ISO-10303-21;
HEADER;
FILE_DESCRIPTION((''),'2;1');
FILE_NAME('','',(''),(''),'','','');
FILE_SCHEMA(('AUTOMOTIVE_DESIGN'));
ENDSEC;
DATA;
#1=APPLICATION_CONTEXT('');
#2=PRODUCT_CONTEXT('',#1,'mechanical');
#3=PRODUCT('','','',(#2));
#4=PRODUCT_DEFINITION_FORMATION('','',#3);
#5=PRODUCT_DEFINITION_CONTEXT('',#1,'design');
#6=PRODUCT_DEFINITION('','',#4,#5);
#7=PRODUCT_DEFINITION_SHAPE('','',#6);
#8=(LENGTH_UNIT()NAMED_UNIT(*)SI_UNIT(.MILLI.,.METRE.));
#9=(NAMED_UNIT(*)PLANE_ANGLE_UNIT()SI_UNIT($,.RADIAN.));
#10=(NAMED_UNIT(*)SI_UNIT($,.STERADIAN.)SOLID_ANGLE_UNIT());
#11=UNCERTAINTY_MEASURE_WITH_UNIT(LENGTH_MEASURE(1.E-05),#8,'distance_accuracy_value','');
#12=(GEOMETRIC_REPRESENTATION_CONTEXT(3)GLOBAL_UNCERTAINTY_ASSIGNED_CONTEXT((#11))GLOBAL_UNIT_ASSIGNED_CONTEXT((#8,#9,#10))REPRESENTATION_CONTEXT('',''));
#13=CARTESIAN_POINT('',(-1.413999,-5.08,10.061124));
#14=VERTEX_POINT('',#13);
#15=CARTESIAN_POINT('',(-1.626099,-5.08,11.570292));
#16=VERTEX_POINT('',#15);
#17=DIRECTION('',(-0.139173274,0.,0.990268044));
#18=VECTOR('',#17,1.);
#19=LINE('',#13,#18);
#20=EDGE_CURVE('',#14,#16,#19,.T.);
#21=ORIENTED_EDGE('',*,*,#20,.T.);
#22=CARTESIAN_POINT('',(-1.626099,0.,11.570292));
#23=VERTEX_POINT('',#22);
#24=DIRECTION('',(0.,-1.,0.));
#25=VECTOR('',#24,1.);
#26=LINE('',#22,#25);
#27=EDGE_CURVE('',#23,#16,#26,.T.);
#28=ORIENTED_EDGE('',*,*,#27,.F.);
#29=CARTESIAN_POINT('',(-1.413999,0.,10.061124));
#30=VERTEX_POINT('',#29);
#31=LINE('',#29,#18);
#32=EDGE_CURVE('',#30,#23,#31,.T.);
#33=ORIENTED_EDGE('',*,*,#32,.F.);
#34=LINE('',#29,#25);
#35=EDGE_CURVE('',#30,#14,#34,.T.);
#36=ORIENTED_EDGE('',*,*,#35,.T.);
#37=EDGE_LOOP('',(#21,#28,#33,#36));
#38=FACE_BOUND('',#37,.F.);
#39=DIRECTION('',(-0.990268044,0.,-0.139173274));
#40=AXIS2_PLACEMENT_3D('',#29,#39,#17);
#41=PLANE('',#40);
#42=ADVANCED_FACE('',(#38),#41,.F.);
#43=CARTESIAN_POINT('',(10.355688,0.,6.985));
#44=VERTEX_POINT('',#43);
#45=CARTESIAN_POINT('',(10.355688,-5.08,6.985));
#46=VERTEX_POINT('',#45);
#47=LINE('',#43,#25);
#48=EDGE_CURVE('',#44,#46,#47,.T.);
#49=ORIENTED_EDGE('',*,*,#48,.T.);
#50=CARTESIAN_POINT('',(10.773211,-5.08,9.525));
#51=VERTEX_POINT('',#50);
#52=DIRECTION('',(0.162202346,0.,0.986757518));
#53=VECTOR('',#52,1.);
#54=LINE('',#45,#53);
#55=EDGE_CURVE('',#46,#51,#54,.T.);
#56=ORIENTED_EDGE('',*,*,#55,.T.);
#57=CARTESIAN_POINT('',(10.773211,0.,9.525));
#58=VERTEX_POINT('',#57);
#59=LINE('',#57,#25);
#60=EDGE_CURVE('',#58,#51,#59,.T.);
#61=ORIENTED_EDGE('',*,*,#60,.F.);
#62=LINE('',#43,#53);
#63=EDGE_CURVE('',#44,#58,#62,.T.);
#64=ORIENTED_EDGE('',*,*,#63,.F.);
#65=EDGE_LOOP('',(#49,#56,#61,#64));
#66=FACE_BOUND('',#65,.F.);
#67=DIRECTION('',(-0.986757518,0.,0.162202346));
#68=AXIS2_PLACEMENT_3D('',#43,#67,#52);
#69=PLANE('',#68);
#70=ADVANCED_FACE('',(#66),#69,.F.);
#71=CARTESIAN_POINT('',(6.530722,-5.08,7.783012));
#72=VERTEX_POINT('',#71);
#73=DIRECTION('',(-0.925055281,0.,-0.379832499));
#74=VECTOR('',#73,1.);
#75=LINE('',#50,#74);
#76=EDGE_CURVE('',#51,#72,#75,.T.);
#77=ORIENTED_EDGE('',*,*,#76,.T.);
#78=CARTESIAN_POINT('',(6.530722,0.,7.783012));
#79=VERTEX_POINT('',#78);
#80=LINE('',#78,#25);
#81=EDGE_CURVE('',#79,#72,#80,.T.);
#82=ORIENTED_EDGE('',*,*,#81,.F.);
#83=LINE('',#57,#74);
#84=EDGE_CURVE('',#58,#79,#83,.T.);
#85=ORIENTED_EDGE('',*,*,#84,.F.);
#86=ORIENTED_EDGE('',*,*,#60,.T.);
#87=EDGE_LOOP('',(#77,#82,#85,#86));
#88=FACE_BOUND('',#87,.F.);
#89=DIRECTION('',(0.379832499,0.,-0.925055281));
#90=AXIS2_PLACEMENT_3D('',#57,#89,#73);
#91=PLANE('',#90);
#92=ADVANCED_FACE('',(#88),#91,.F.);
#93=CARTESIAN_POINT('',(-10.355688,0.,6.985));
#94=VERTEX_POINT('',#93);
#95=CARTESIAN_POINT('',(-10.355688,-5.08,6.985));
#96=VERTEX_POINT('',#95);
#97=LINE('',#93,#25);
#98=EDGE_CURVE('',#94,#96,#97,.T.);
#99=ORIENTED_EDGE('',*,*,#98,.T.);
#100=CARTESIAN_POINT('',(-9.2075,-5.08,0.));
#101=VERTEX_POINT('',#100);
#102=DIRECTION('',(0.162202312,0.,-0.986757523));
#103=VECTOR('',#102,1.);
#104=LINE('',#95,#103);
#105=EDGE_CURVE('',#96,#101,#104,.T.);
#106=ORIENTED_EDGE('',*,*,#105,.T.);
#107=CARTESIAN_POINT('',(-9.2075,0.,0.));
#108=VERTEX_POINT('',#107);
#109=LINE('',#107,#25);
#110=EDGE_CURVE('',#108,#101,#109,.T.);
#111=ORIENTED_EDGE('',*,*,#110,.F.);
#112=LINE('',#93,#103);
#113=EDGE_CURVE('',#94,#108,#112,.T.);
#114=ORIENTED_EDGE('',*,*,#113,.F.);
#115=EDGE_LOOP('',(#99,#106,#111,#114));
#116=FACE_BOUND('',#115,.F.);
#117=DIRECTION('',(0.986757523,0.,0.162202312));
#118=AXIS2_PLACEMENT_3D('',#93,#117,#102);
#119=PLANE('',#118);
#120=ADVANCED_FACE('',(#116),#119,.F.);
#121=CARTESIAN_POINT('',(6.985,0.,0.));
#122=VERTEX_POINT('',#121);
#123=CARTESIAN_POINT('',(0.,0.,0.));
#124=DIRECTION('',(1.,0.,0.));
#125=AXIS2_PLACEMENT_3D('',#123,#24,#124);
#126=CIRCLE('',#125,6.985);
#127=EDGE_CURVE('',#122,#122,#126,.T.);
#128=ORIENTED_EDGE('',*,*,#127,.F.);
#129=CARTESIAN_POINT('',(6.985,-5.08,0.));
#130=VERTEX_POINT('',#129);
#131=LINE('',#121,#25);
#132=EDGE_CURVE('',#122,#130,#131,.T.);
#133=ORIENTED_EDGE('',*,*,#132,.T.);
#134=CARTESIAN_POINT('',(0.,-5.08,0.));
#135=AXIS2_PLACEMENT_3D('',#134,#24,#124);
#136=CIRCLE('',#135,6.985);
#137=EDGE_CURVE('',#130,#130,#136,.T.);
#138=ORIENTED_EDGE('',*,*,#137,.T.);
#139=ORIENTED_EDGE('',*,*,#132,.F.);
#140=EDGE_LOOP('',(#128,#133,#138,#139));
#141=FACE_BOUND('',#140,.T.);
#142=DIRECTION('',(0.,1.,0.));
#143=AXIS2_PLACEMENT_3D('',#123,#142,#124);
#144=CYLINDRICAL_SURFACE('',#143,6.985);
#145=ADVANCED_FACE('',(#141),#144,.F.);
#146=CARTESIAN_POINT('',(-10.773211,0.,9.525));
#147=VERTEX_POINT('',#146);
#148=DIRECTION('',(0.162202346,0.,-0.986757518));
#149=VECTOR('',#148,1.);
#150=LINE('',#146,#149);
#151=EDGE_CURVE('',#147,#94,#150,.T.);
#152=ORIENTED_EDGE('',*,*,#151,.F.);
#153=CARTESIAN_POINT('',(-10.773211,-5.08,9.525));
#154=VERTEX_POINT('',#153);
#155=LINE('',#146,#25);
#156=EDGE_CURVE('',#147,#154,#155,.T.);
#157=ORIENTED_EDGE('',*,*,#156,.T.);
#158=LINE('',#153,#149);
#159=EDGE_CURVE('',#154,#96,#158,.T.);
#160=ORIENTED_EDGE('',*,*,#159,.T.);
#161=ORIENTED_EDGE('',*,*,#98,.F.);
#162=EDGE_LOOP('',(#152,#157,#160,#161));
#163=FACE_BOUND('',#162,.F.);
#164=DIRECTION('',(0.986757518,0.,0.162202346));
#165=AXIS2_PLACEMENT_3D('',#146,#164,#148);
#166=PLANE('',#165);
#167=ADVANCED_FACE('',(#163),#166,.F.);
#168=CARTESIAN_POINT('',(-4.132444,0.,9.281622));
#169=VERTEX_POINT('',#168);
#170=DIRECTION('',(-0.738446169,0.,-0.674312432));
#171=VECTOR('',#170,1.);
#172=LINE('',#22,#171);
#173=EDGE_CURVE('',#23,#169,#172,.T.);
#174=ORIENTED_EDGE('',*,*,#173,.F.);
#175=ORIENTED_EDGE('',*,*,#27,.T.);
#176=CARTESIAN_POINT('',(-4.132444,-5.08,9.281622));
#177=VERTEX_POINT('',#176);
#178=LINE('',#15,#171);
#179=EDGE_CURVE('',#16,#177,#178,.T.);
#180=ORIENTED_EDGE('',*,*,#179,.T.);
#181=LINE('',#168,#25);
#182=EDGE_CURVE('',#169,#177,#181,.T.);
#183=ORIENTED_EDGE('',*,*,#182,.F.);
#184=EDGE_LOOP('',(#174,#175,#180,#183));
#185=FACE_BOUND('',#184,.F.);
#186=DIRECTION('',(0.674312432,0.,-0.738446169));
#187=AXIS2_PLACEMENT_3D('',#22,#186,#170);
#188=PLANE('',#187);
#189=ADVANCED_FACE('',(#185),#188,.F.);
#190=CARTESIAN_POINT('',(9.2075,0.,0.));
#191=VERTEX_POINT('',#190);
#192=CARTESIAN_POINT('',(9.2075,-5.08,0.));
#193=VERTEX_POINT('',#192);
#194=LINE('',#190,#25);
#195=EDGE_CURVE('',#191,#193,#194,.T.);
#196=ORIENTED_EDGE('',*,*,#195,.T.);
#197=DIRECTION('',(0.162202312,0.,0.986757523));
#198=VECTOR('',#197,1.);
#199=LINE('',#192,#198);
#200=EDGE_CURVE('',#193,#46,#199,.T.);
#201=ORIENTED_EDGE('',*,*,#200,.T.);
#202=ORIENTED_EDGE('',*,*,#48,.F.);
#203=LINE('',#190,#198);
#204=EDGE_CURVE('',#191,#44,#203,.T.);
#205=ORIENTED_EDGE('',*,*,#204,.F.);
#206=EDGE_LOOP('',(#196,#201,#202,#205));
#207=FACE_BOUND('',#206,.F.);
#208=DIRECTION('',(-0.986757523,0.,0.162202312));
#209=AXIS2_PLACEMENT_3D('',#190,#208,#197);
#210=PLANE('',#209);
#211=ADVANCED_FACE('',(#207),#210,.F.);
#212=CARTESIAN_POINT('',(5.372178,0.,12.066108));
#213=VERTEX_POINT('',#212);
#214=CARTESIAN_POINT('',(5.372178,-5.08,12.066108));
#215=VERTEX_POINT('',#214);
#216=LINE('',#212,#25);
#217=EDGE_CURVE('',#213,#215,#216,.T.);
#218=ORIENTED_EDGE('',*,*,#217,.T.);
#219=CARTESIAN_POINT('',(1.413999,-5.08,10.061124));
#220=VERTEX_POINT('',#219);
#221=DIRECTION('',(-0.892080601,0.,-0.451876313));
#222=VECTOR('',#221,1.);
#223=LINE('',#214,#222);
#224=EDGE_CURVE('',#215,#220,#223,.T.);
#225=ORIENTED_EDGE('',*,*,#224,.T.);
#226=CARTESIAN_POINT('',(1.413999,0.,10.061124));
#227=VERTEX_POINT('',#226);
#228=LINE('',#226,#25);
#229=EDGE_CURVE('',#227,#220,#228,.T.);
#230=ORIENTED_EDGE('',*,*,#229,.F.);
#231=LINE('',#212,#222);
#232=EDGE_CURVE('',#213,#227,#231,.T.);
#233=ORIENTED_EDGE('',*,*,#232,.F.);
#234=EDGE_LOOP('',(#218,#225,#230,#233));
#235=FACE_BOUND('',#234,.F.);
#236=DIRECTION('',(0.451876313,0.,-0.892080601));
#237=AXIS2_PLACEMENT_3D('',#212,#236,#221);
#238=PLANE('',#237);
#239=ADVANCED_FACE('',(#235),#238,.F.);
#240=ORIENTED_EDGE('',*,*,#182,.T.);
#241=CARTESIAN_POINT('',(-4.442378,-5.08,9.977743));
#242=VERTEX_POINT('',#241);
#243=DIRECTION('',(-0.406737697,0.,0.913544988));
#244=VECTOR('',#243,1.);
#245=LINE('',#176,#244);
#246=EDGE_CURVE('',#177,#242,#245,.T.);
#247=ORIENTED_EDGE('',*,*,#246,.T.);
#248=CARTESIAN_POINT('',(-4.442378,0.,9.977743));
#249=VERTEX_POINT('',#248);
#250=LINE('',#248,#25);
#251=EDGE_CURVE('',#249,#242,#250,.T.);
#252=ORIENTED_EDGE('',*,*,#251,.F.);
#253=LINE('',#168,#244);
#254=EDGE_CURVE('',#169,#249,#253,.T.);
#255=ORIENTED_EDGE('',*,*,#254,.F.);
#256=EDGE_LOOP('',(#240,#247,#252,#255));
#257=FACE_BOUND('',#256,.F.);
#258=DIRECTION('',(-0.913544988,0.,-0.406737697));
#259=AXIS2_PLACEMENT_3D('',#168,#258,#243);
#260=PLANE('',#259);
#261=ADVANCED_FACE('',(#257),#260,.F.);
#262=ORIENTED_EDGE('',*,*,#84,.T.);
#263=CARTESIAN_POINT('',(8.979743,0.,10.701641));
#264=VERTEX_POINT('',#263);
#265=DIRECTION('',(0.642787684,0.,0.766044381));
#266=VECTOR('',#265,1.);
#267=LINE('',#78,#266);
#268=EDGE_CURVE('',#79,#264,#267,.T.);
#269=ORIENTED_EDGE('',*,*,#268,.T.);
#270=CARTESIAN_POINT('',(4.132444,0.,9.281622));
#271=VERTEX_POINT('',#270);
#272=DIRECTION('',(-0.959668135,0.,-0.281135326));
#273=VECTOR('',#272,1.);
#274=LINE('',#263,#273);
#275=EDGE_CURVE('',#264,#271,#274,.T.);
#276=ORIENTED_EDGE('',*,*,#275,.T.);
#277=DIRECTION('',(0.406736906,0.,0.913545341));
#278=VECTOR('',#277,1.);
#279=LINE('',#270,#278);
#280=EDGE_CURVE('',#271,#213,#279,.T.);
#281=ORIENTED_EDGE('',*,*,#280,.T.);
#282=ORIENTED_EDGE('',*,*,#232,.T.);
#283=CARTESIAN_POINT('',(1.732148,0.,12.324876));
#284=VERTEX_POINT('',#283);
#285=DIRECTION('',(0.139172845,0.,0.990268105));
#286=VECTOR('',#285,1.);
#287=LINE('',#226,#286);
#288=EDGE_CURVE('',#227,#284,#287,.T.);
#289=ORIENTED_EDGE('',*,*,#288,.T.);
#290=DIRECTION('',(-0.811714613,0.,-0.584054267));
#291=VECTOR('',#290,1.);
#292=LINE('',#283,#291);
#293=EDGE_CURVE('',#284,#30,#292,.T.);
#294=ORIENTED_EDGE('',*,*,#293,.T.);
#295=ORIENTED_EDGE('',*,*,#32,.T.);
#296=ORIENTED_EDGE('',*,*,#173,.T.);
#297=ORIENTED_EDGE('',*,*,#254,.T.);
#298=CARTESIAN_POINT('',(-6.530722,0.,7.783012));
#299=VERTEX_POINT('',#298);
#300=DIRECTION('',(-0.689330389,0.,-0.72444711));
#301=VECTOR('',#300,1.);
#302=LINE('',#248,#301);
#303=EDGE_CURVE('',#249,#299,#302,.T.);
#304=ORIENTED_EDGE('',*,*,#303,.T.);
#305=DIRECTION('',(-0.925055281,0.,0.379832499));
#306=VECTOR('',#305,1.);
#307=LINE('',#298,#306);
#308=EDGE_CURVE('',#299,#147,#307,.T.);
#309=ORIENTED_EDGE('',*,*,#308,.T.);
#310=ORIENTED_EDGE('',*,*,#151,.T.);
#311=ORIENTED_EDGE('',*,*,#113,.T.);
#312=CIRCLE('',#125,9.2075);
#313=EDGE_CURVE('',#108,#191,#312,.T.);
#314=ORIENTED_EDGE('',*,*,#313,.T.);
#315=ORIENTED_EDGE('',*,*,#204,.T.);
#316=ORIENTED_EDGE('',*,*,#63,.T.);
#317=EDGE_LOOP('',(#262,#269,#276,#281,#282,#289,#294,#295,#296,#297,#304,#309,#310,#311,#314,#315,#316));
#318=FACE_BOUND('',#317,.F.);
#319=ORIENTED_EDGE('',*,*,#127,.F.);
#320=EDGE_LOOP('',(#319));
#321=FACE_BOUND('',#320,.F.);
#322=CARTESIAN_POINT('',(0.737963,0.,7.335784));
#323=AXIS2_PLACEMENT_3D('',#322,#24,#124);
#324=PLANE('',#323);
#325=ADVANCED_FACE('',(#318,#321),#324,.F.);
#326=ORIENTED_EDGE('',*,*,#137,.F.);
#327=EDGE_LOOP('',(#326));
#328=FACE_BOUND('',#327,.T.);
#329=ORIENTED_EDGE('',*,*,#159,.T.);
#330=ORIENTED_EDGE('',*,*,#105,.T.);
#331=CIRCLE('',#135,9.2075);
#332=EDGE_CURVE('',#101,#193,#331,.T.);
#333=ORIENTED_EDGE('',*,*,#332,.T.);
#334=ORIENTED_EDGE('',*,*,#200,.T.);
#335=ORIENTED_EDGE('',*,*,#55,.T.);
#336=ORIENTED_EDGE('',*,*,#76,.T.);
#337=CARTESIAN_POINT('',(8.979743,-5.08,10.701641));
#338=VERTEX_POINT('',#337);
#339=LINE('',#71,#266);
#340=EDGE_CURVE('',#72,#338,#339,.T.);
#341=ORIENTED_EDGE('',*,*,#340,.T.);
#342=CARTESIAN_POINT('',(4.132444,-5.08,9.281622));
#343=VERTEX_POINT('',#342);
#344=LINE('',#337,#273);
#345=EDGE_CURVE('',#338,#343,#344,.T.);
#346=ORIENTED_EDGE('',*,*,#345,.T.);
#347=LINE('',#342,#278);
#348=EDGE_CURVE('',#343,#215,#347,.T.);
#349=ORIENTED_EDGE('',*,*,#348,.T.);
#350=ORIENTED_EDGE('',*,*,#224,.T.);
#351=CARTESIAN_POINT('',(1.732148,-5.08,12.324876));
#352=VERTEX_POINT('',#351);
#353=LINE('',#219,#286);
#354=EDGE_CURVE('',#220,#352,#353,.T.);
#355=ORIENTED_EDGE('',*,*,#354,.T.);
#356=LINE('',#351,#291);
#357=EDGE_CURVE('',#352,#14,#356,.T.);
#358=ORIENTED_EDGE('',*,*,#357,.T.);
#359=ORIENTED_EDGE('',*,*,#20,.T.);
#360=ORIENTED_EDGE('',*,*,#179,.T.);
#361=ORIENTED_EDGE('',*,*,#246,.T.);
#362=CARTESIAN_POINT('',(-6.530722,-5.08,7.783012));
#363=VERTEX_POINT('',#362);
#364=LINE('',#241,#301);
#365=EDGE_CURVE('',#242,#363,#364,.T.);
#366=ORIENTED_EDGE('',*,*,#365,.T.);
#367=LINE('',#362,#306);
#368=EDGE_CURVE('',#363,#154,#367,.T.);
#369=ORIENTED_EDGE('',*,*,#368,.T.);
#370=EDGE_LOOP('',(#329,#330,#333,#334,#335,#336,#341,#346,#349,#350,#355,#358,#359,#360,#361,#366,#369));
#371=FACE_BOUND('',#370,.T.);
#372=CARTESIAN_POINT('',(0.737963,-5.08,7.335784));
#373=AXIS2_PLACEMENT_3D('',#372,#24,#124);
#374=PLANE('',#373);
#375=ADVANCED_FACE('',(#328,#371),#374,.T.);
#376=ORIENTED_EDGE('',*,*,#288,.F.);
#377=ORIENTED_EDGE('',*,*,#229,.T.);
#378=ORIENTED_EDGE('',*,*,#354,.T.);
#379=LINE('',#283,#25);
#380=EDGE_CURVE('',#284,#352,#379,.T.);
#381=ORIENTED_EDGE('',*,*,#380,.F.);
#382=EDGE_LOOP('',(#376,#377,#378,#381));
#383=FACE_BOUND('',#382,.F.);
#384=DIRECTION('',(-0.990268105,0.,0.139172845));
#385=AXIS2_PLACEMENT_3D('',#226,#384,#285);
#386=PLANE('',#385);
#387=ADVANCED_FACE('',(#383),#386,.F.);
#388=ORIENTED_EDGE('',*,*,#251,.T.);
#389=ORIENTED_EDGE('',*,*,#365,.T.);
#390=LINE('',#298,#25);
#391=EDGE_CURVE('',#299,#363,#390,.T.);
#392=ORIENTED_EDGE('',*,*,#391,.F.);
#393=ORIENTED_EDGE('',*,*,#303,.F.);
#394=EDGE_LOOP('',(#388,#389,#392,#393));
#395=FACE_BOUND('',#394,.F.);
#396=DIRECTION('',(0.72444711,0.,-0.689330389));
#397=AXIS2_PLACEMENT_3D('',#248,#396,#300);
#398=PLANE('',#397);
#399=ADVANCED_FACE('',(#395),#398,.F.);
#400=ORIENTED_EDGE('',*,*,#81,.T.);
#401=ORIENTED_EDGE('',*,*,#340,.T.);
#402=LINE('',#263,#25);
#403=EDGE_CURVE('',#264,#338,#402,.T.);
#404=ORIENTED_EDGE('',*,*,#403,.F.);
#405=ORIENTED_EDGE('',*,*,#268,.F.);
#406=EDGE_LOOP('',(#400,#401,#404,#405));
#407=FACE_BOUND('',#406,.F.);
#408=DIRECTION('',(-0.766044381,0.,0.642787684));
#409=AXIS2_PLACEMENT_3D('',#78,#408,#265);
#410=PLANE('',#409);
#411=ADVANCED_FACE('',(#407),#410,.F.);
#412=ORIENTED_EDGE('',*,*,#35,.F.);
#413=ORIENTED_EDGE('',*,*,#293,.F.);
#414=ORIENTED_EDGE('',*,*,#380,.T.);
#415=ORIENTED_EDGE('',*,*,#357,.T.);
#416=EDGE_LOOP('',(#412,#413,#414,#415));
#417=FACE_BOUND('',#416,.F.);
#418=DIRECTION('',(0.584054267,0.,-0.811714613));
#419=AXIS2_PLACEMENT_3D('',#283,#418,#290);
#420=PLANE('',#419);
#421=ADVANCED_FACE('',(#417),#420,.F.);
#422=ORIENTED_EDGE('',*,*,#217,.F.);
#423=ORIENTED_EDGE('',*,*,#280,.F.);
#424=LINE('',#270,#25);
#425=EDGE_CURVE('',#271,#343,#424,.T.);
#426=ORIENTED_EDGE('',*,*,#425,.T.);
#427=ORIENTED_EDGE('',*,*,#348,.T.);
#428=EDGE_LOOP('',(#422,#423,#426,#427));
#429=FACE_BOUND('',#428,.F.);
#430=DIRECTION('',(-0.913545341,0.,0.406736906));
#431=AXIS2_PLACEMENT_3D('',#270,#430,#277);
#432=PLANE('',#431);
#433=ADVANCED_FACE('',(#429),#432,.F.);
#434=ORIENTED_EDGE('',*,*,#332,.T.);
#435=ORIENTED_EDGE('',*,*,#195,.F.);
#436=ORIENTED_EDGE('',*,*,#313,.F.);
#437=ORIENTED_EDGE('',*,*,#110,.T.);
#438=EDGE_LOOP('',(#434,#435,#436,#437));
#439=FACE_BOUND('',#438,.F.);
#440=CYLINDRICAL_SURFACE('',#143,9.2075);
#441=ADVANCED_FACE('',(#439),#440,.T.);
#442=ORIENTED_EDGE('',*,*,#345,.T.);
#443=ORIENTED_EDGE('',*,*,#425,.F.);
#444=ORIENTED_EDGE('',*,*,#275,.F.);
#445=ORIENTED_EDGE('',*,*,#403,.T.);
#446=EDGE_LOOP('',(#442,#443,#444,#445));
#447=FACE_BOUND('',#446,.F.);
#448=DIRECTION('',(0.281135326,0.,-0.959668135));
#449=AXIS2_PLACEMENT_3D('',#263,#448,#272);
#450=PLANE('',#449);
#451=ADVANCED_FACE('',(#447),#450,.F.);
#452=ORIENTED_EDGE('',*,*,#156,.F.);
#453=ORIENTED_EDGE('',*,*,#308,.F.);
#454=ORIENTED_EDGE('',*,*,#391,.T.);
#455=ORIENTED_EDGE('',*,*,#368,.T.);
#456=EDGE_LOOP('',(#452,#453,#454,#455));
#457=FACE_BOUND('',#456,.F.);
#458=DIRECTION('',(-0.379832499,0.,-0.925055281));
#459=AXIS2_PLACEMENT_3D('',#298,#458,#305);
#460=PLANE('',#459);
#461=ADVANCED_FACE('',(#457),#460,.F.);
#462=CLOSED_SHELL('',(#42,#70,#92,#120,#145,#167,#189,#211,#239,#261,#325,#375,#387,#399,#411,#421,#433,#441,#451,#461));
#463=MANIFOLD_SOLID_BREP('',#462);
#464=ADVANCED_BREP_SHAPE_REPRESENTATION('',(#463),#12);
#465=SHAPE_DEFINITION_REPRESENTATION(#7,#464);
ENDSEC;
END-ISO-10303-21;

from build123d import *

# Parameters (mm, degrees)
F0_R     = 6.985
F1_DEPTH = 5.08


with BuildPart() as f1:
    # F0 (on Front) → F1 (new body)
    with BuildSketch(Plane.XZ):
        with BuildLine():
            ThreePointArc((-9.2075, 0), (0, 9.2075), (9.2075, 0))
            Line((9.2075, 0), (10.355688, 6.985))
            Line((10.355688, 6.985), (10.773211, 9.525))
            Line((10.773211, 9.525), (6.530722, 7.783012))
            Line((6.530722, 7.783012), (8.979743, 10.701641))
            Line((8.979743, 10.701641), (4.132444, 9.281622))
            Line((4.132444, 9.281622), (5.372178, 12.066108))
            Line((5.372178, 12.066108), (1.413999, 10.061124))
            Line((1.413999, 10.061124), (1.732148, 12.324876))
            Line((1.732148, 12.324876), (-1.413999, 10.061124))
            Line((-1.413999, 10.061124), (-1.626099, 11.570292))
            Line((-1.626099, 11.570292), (-4.132444, 9.281622))
            Line((-4.132444, 9.281622), (-4.442378, 9.977743))
            Line((-4.442378, 9.977743), (-6.530722, 7.783012))
            Line((-6.530722, 7.783012), (-10.773211, 9.525))
            Line((-10.773211, 9.525), (-10.355688, 6.985))
            Line((-10.355688, 6.985), (-9.2075, 0))
        make_face()
        with BuildLine():
            ThreePointArc((-9.2075, 0), (0, -9.2075), (9.2075, 0))
            ThreePointArc((9.2075, 0), (0, 9.2075), (-9.2075, 0))
        make_face()
        Circle(F0_R, mode=Mode.SUBTRACT)
    extrude(amount=F1_DEPTH)


solid = f1.part
